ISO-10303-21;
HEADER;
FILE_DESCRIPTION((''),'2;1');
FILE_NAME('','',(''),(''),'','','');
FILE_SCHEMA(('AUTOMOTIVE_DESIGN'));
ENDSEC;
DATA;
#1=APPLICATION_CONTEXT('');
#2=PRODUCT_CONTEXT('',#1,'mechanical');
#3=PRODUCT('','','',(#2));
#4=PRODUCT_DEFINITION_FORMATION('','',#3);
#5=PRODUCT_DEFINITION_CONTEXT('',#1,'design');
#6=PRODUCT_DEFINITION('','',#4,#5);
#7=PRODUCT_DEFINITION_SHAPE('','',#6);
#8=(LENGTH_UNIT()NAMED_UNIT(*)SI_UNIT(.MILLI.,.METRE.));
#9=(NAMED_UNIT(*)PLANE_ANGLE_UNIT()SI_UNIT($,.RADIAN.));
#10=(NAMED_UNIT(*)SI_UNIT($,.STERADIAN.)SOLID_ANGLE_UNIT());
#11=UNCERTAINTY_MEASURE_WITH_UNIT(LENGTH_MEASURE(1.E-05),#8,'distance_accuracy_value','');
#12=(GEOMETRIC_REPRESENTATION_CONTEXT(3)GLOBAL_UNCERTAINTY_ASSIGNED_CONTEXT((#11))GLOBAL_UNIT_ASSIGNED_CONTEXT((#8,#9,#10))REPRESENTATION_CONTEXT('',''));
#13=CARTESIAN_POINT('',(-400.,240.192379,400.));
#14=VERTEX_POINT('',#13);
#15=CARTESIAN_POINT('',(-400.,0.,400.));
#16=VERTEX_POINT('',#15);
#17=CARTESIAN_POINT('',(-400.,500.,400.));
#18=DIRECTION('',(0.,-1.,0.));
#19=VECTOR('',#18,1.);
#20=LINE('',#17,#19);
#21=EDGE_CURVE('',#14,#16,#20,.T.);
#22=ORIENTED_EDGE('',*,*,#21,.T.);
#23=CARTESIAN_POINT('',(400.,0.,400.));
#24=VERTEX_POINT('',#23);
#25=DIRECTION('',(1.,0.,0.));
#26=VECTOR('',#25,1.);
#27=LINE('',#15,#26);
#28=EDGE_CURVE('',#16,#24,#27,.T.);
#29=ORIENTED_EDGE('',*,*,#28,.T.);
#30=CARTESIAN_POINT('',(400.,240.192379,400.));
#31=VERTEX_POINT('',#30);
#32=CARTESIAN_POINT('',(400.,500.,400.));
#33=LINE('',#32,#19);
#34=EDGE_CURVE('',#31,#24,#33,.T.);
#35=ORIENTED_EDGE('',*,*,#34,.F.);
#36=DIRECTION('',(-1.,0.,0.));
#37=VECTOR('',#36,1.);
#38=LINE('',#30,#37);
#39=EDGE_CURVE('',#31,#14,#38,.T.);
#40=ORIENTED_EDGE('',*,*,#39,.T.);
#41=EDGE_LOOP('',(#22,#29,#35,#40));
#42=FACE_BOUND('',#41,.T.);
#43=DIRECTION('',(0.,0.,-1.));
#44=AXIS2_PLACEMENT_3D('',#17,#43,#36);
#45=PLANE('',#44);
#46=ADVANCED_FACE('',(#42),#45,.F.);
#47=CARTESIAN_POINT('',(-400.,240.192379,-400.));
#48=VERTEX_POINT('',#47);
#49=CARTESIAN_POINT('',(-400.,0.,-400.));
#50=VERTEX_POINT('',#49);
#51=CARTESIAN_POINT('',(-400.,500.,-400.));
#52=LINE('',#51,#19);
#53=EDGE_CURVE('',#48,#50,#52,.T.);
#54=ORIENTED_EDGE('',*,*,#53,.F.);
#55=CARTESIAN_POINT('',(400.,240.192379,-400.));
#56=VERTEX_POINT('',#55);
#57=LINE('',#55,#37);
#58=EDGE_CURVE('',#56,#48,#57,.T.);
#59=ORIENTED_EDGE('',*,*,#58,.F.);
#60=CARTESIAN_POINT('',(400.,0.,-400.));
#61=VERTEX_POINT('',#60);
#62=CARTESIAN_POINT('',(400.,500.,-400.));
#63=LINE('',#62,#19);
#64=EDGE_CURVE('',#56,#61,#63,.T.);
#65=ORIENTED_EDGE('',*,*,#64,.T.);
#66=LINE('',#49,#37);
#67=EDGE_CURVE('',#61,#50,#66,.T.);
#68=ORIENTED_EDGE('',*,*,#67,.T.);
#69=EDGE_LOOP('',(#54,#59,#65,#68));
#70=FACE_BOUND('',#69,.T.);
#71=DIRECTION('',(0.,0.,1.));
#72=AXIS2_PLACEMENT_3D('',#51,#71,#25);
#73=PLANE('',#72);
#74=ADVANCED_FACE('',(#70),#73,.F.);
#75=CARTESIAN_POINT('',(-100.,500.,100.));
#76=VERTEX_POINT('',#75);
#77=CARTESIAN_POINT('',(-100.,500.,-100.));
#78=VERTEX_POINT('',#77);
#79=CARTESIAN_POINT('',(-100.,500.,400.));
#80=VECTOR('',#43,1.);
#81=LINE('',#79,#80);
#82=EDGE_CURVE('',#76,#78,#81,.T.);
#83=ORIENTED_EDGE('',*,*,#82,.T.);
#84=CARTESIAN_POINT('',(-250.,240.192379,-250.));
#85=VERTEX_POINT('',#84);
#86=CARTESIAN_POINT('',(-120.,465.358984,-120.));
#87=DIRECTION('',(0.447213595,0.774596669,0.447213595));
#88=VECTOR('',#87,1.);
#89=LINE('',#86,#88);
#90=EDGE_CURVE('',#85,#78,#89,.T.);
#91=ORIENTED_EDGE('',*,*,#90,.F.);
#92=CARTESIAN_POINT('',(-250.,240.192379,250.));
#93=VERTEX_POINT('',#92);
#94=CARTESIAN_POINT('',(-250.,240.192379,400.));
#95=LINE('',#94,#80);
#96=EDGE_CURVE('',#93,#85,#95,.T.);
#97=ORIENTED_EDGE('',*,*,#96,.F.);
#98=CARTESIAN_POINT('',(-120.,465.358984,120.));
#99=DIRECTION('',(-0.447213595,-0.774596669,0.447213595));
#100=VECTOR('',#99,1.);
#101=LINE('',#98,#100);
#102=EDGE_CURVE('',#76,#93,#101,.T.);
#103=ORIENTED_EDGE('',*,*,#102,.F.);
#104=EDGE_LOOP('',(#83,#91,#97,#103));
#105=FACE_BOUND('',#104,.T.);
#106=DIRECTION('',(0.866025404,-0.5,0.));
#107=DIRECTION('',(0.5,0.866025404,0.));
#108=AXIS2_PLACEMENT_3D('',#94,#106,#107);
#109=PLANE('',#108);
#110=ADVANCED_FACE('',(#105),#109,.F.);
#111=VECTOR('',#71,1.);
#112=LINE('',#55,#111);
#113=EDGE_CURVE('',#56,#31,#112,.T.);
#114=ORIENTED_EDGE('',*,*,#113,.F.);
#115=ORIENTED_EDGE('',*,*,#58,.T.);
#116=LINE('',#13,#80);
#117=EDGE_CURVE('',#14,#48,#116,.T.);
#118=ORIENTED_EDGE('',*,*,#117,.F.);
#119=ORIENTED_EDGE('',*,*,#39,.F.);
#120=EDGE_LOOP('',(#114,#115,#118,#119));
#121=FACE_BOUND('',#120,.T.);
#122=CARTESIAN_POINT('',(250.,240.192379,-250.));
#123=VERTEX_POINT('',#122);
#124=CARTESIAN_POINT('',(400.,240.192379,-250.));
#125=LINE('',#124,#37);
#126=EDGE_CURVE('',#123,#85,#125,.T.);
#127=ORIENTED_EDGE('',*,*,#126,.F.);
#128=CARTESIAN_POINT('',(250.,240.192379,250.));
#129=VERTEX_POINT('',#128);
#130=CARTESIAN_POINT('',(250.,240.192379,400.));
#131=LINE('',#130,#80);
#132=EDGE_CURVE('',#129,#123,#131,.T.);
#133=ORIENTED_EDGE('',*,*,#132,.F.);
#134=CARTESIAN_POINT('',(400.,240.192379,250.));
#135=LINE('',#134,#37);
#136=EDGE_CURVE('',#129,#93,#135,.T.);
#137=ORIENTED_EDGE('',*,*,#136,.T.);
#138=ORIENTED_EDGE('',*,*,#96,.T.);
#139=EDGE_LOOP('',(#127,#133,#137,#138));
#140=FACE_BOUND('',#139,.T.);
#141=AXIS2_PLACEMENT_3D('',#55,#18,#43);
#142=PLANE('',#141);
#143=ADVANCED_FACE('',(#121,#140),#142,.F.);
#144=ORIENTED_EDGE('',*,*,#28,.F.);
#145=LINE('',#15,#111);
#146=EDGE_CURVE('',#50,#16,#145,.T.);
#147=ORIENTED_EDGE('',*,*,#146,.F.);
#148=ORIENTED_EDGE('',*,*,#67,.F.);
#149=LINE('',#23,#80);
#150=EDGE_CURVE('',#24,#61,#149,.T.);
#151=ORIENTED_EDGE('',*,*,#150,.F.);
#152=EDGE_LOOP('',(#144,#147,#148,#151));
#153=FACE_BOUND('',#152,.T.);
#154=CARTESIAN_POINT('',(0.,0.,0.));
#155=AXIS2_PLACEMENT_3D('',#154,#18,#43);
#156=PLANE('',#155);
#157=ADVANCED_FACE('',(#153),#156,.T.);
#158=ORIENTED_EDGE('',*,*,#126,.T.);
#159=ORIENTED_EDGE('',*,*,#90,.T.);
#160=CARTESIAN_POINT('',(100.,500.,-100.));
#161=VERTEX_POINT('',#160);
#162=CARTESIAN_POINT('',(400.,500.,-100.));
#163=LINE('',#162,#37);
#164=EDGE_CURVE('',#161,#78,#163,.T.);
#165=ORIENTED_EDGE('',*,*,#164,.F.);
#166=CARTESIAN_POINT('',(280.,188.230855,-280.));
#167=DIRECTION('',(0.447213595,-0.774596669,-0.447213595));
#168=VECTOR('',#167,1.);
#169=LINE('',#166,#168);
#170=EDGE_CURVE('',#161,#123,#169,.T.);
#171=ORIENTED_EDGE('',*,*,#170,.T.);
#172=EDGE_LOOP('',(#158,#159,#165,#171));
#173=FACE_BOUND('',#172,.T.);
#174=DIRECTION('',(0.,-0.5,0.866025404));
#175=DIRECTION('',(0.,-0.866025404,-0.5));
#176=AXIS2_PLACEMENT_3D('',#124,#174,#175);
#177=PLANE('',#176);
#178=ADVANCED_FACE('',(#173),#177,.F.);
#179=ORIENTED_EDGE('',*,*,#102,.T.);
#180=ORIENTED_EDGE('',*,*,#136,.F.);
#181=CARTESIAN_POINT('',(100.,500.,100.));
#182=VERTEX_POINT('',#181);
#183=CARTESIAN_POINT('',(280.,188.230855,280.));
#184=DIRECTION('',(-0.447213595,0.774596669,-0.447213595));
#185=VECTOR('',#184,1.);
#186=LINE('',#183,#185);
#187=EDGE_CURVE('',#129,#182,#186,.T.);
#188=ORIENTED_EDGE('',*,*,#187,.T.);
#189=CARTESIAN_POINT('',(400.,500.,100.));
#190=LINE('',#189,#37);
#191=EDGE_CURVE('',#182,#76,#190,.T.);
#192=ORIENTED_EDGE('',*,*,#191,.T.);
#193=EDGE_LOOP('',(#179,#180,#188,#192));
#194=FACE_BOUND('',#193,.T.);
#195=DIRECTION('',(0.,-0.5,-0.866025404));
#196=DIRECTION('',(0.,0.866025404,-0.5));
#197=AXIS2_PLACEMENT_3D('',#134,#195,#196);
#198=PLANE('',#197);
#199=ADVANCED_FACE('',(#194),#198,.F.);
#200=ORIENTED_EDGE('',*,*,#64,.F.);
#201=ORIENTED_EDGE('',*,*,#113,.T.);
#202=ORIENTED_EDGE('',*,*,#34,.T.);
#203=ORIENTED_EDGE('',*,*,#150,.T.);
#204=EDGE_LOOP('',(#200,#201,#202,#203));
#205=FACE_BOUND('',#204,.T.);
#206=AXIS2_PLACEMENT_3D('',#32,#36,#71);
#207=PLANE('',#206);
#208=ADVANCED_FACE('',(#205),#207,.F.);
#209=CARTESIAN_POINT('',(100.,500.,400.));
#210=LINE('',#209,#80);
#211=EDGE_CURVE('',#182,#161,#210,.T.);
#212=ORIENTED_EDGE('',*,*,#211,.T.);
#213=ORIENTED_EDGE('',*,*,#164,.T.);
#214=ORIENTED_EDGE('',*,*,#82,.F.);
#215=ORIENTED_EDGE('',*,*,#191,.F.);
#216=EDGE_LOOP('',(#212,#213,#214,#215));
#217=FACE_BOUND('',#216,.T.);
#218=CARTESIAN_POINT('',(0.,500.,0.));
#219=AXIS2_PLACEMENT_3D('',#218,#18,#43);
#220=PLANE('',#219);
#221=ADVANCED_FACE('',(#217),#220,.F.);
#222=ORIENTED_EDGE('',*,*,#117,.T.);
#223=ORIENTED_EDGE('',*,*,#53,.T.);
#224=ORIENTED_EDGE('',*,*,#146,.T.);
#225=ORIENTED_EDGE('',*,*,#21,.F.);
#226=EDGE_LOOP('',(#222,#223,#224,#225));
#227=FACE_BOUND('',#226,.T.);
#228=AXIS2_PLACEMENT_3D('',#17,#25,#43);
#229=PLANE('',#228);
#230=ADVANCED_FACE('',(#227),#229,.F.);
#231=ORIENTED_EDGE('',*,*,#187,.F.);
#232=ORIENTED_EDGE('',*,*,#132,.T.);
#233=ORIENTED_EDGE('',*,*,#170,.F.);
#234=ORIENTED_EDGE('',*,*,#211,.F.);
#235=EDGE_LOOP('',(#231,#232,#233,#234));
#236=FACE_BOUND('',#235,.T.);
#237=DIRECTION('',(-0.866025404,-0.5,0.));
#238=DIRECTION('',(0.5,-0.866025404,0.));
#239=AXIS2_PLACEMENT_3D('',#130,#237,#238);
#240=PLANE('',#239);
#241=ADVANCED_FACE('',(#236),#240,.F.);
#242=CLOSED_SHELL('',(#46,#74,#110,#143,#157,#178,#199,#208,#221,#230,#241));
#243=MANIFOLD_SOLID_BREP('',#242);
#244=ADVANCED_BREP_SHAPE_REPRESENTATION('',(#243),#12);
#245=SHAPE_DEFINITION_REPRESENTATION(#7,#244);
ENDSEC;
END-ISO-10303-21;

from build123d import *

# Parameters (mm, degrees)
SKETCH_1_W               = 800
SKETCH_1_H               = 800
EXTRUDE_1_DEPTH          = 500
CUT_EXTRUDE_1_DEPTH      = 1025.695076596
CUT_EXTRUDE_1_DEPTH_BACK = 1025.695076596
CUT_EXTRUDE_2_DEPTH      = 1025.695076596
CUT_EXTRUDE_2_DEPTH_BACK = 1025.695076596


with BuildPart() as part:
    # 草图1 → 凸台-拉伸1 (new body)
    with BuildSketch(Plane(origin=(0, 0, 0), x_dir=(1, 0, 0), z_dir=(0, 1, 0))):
        Rectangle(SKETCH_1_W, SKETCH_1_H)
    extrude(amount=EXTRUDE_1_DEPTH)

    # 草图2 → 切除-拉伸1 (cut, two sides: drawn at the far end of the back side and taken through both)
    with BuildSketch(Plane.ZY.offset(400).offset(-CUT_EXTRUDE_1_DEPTH_BACK)):
        Polygon((-400, 240.192378865), (-250, 240.192378865), (-100, 500), (-400, 500), align=None)
        Polygon((250, 240.192378865), (100, 500), (400, 500), (400, 240.192378865), align=None)
    extrude(amount=CUT_EXTRUDE_1_DEPTH + CUT_EXTRUDE_1_DEPTH_BACK, mode=Mode.SUBTRACT)

    # 草图3 → 切除-拉伸2 (cut, two sides: drawn at the far end of the back side and taken through both)
    with BuildSketch(Plane(origin=(0, 0, -400), x_dir=(-1, 0, 0), z_dir=(0, 0, -1)).offset(-CUT_EXTRUDE_2_DEPTH_BACK)):
        Polygon((-400, 240.192378865), (-250, 240.192378865), (-100, 500), (-400, 500), align=None)
        Polygon((250, 240.192378865), (100, 500), (400, 500), (400, 240.192378865), align=None)
    extrude(amount=CUT_EXTRUDE_2_DEPTH + CUT_EXTRUDE_2_DEPTH_BACK, mode=Mode.SUBTRACT)


solid = part.part
